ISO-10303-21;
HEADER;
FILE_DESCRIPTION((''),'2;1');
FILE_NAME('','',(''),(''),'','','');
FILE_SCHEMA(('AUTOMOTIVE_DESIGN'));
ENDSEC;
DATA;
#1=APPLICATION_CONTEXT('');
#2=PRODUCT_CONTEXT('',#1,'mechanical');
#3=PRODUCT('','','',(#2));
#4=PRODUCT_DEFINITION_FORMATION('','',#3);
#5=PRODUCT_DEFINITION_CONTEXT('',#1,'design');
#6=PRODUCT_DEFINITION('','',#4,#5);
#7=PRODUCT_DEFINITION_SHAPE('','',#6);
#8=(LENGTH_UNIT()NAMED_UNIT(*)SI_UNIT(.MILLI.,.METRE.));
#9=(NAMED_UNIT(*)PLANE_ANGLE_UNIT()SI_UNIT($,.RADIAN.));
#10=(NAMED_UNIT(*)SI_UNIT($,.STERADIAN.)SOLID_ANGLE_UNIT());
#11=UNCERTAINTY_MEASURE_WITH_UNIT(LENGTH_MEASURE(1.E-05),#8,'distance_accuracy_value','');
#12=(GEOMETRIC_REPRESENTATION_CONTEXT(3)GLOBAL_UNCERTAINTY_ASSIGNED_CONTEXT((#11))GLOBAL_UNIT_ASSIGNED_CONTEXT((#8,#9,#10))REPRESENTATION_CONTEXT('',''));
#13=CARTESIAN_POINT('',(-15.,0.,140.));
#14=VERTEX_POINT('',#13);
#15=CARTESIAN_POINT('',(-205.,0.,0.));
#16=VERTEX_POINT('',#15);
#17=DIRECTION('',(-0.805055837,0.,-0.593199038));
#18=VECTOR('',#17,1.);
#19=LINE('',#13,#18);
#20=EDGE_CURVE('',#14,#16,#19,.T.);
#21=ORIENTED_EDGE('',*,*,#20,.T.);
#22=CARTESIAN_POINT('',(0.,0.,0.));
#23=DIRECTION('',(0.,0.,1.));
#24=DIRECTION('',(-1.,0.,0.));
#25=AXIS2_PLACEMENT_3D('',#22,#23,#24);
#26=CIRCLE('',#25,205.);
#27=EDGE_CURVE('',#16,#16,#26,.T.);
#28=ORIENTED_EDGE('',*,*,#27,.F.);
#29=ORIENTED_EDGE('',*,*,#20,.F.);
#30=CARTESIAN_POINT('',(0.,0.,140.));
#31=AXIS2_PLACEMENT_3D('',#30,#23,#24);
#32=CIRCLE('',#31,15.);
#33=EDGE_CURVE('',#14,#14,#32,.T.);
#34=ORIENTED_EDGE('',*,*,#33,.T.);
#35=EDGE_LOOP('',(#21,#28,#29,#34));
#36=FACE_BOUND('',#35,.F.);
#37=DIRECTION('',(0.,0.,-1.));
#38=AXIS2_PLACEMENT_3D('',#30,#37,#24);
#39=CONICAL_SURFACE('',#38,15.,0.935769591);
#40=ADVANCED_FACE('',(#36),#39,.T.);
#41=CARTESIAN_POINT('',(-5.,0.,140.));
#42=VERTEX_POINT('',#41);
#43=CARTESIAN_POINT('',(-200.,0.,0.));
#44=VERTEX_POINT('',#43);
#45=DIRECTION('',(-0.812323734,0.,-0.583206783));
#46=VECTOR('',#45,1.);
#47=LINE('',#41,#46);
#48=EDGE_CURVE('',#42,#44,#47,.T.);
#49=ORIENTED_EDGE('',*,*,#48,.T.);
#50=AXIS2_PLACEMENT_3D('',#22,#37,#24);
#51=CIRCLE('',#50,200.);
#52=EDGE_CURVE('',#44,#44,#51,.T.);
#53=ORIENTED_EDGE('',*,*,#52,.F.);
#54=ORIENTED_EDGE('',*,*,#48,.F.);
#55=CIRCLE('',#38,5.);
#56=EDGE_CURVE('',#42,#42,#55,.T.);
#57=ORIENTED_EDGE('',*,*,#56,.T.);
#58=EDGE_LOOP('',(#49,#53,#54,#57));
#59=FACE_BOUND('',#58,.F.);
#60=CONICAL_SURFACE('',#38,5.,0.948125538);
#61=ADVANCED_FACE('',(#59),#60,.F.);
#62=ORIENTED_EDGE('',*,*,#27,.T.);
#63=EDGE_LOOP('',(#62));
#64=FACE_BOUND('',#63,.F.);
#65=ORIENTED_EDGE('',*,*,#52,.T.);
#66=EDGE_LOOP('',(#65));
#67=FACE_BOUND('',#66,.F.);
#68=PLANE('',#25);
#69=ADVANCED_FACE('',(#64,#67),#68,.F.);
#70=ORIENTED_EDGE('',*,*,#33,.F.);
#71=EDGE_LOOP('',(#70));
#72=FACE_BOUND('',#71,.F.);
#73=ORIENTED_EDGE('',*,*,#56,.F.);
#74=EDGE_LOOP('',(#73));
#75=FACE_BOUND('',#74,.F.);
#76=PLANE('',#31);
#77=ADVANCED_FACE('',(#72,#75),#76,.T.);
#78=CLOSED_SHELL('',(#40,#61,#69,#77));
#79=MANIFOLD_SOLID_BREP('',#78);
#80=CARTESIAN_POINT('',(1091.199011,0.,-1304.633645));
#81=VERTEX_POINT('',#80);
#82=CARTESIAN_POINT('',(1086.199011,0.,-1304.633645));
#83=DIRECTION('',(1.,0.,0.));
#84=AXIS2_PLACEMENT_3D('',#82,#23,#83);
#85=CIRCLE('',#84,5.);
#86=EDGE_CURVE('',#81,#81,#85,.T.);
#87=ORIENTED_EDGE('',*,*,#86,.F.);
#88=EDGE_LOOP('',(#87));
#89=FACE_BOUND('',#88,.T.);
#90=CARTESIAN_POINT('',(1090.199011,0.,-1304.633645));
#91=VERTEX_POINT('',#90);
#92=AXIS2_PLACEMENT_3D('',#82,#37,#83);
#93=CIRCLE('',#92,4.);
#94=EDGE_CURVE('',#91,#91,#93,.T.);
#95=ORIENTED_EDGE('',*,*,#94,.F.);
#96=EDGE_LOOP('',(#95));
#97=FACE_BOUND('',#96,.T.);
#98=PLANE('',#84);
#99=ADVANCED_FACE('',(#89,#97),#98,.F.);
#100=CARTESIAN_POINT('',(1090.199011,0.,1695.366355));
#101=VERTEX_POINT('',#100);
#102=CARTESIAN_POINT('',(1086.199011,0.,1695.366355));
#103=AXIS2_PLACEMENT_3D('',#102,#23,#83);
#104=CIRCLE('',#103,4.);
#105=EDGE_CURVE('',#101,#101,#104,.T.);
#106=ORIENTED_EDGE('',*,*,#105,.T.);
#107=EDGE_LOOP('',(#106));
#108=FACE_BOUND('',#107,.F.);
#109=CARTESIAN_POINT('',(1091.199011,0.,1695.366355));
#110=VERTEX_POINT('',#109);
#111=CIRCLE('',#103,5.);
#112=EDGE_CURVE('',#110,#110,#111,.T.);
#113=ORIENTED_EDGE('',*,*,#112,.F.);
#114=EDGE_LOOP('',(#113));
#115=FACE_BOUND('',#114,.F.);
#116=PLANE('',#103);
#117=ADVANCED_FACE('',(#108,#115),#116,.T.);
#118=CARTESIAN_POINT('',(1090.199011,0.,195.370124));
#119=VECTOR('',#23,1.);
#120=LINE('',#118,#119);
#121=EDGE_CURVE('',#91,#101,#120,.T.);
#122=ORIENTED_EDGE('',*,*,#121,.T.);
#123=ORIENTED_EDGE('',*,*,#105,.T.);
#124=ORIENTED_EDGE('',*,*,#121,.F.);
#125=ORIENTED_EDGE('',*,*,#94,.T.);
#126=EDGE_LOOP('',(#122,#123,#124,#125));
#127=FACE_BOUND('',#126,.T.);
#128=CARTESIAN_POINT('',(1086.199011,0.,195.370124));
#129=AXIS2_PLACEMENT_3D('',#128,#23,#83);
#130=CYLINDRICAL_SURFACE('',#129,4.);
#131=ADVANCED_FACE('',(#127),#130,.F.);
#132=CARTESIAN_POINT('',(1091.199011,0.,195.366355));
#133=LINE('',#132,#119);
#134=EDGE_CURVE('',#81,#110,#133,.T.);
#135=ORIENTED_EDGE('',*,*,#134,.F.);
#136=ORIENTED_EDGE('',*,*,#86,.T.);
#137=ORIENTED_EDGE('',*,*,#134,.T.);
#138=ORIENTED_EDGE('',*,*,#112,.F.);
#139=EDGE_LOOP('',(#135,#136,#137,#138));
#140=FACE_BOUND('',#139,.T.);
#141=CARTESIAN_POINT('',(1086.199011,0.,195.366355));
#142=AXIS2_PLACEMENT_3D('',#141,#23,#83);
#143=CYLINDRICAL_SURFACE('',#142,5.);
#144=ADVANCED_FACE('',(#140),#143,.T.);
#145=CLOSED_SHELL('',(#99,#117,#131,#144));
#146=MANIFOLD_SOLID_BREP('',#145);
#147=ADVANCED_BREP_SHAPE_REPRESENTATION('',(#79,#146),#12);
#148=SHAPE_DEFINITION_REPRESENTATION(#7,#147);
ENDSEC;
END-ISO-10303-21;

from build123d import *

# Parameters (mm, degrees)
F4_W = 5
F4_H = 3000
F6_W = 4
F6_H = 3000.007538


with BuildPart() as f1:
    # F0 (on Front) → F1 (revolve)
    with BuildSketch(Plane.XZ):
        Polygon((-205, 0), (0, 0), (0, 140), (-15, 140), align=None)
    revolve(axis=Axis((0, 0, 70), (0, 0, 1)))

    # F2 (on Front) → F3 (revolve, cut)
    with BuildSketch(Plane.XZ):
        Polygon((-5, 140), (-200, 0), (0, 0), (0, 140), align=None)
    revolve(axis=Axis((0, 0, 70), (0, 0, -1)), mode=Mode.SUBTRACT)


with BuildPart() as f5:
    # F4 (on Front) → F5 (revolve)
    with BuildSketch(Plane.XZ):
        with Locations((1088.699011, 195.366355)):
            Rectangle(F4_W, F4_H)
    revolve(axis=Axis((1086.199011, 0, 195.366355), (0, 0, 1)))

    # F6 (on Front) → F7 (revolve, cut)
    with BuildSketch(Plane.XZ):
        with Locations((1088.199011, 195.370124)):
            Rectangle(F6_W, F6_H)
    revolve(axis=Axis((1086.199011, 0, 195.370124), (0, 0, -1)), mode=Mode.SUBTRACT)


solid = Compound([f1.part, f5.part])
